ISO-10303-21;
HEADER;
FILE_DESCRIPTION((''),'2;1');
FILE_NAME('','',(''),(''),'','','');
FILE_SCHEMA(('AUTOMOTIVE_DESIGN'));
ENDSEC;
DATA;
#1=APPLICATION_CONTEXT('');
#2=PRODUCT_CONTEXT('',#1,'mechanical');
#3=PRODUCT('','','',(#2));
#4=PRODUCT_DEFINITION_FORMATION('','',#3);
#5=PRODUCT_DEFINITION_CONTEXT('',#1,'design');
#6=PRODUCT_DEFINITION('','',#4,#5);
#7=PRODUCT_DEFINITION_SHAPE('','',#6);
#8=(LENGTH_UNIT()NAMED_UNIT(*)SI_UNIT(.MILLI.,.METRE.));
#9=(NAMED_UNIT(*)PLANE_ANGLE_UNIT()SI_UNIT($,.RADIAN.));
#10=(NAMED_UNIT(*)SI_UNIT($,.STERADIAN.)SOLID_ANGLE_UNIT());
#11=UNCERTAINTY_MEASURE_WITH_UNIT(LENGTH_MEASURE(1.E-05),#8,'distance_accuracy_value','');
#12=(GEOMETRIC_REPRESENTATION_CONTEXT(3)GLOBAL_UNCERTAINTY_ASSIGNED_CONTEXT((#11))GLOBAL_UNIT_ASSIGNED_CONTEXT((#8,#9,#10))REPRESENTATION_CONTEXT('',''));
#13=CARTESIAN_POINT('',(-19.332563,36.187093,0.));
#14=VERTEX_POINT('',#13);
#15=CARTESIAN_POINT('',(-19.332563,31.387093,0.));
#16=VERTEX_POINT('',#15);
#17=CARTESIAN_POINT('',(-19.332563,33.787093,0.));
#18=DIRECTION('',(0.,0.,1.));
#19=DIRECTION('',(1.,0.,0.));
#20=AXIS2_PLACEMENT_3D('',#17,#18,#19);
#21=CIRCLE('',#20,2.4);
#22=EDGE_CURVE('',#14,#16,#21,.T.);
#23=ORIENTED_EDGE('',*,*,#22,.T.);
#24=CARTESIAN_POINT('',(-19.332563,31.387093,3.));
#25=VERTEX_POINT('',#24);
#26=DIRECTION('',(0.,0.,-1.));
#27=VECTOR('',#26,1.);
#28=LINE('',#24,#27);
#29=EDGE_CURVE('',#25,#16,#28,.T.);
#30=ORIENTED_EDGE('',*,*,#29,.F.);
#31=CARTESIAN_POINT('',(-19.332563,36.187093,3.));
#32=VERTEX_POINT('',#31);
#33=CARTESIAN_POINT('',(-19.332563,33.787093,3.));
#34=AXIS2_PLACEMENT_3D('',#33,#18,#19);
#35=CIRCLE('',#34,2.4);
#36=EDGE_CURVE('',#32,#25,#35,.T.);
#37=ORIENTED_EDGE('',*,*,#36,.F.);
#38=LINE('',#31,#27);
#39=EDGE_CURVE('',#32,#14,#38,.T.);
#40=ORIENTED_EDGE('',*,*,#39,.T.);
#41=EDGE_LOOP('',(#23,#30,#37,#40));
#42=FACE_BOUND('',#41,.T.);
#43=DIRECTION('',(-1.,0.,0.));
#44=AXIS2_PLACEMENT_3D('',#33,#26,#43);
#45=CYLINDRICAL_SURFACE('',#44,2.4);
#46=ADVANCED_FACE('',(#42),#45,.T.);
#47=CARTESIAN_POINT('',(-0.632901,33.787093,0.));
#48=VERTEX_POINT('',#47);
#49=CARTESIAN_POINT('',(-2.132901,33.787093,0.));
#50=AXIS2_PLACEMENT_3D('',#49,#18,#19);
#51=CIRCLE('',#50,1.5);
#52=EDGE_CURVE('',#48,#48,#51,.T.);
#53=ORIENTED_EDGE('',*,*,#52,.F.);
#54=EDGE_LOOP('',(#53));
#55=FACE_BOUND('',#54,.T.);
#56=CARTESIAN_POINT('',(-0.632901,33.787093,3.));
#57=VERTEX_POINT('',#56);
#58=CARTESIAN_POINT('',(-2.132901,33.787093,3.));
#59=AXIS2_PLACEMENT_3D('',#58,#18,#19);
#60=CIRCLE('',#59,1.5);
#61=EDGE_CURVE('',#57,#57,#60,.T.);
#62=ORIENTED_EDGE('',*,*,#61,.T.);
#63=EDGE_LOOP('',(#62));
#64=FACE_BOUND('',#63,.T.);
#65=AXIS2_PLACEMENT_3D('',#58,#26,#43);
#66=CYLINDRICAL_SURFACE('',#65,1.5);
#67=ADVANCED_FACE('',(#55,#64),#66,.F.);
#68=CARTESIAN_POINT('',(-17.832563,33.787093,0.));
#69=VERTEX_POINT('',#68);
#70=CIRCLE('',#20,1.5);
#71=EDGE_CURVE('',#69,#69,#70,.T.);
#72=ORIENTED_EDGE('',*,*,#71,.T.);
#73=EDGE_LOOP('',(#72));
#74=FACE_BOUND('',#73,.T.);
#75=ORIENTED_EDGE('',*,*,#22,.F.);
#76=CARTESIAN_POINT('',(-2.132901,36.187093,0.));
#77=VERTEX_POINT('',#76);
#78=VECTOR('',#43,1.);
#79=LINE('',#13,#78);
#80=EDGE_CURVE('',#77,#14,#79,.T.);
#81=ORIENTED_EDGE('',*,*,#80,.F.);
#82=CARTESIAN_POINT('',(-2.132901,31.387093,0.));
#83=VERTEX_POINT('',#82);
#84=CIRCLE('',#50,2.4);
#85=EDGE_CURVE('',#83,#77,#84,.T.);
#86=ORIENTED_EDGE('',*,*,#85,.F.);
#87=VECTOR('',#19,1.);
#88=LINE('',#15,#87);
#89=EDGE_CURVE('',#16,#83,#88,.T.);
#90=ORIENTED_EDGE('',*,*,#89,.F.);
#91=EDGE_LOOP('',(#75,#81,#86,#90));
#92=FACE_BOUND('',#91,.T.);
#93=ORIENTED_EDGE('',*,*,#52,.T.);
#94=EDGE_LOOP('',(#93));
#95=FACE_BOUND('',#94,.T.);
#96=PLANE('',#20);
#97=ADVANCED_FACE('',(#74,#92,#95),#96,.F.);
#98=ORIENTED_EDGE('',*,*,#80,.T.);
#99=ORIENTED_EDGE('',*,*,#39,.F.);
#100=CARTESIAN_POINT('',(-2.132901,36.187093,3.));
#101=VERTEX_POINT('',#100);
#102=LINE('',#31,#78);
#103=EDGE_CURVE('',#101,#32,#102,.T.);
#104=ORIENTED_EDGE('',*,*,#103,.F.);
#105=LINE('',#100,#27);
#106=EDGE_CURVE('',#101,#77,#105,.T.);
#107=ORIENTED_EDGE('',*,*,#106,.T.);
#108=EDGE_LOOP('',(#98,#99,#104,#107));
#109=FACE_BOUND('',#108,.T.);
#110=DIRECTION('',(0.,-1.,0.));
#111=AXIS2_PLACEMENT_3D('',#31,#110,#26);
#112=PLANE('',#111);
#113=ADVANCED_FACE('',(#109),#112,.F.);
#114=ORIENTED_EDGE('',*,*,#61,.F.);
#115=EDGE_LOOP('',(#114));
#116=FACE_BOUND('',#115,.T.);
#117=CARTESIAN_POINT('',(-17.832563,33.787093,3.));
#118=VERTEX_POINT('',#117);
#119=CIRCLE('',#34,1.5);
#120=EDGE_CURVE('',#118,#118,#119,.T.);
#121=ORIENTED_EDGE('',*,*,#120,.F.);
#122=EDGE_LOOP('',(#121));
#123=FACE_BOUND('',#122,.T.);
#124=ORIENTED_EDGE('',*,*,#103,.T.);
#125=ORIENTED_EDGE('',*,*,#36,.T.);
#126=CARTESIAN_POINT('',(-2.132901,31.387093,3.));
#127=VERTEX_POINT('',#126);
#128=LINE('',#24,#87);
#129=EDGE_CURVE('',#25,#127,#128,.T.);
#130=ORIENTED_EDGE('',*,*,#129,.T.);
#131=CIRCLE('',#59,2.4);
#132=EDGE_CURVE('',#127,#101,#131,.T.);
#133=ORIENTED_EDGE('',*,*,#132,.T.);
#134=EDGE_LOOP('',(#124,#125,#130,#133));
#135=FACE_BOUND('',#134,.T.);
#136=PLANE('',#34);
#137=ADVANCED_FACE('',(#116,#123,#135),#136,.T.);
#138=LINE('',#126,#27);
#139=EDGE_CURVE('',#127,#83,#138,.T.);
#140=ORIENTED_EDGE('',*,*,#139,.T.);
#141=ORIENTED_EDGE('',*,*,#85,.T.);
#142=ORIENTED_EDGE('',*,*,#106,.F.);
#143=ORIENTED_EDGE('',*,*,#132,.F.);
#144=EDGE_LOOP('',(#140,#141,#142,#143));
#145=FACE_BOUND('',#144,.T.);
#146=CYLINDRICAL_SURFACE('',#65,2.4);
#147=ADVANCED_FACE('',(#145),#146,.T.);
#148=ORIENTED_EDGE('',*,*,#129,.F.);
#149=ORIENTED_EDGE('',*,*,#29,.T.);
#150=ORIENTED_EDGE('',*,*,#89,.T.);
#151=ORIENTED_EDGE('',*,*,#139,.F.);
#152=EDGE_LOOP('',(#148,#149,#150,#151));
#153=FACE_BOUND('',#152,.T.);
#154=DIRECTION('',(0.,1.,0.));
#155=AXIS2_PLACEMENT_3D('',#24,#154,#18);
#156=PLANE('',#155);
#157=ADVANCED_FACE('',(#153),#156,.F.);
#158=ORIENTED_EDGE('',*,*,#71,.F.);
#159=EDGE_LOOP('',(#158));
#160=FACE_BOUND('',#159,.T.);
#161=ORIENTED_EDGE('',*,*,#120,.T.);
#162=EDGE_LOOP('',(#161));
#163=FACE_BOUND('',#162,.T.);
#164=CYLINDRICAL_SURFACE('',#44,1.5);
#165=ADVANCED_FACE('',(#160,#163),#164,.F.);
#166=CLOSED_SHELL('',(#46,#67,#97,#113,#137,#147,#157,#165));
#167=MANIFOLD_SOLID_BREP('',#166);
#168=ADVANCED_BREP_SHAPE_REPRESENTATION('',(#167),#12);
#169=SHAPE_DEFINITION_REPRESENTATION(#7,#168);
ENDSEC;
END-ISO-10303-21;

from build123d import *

# Parameters (mm, degrees)
ESQUISSE4_R        = 1.5
BOSS_EXTRU_4_DEPTH = 3


with BuildPart() as part:
    # Esquisse4 → Boss.-Extru.4 (new body)
    with BuildSketch(Plane.XY):
        with BuildLine():
            Line((-19.332562651, 36.187093075), (-2.132901247, 36.187093075))
            ThreePointArc((-2.132901247, 36.187093075), (0.267098753, 33.787093075), (-2.132901247, 31.387093075))
            Line((-2.132901247, 31.387093075), (-19.332562651, 31.387093075))
            ThreePointArc((-19.332562651, 31.387093075), (-21.732562651, 33.787093075), (-19.332562651, 36.187093075))
        make_face()
        with Locations((-19.332562651, 33.787093075)):
            Circle(ESQUISSE4_R, mode=Mode.SUBTRACT)
        with Locations((-2.132901247, 33.787093075)):
            Circle(ESQUISSE4_R, mode=Mode.SUBTRACT)
    extrude(amount=BOSS_EXTRU_4_DEPTH)


solid = part.part
